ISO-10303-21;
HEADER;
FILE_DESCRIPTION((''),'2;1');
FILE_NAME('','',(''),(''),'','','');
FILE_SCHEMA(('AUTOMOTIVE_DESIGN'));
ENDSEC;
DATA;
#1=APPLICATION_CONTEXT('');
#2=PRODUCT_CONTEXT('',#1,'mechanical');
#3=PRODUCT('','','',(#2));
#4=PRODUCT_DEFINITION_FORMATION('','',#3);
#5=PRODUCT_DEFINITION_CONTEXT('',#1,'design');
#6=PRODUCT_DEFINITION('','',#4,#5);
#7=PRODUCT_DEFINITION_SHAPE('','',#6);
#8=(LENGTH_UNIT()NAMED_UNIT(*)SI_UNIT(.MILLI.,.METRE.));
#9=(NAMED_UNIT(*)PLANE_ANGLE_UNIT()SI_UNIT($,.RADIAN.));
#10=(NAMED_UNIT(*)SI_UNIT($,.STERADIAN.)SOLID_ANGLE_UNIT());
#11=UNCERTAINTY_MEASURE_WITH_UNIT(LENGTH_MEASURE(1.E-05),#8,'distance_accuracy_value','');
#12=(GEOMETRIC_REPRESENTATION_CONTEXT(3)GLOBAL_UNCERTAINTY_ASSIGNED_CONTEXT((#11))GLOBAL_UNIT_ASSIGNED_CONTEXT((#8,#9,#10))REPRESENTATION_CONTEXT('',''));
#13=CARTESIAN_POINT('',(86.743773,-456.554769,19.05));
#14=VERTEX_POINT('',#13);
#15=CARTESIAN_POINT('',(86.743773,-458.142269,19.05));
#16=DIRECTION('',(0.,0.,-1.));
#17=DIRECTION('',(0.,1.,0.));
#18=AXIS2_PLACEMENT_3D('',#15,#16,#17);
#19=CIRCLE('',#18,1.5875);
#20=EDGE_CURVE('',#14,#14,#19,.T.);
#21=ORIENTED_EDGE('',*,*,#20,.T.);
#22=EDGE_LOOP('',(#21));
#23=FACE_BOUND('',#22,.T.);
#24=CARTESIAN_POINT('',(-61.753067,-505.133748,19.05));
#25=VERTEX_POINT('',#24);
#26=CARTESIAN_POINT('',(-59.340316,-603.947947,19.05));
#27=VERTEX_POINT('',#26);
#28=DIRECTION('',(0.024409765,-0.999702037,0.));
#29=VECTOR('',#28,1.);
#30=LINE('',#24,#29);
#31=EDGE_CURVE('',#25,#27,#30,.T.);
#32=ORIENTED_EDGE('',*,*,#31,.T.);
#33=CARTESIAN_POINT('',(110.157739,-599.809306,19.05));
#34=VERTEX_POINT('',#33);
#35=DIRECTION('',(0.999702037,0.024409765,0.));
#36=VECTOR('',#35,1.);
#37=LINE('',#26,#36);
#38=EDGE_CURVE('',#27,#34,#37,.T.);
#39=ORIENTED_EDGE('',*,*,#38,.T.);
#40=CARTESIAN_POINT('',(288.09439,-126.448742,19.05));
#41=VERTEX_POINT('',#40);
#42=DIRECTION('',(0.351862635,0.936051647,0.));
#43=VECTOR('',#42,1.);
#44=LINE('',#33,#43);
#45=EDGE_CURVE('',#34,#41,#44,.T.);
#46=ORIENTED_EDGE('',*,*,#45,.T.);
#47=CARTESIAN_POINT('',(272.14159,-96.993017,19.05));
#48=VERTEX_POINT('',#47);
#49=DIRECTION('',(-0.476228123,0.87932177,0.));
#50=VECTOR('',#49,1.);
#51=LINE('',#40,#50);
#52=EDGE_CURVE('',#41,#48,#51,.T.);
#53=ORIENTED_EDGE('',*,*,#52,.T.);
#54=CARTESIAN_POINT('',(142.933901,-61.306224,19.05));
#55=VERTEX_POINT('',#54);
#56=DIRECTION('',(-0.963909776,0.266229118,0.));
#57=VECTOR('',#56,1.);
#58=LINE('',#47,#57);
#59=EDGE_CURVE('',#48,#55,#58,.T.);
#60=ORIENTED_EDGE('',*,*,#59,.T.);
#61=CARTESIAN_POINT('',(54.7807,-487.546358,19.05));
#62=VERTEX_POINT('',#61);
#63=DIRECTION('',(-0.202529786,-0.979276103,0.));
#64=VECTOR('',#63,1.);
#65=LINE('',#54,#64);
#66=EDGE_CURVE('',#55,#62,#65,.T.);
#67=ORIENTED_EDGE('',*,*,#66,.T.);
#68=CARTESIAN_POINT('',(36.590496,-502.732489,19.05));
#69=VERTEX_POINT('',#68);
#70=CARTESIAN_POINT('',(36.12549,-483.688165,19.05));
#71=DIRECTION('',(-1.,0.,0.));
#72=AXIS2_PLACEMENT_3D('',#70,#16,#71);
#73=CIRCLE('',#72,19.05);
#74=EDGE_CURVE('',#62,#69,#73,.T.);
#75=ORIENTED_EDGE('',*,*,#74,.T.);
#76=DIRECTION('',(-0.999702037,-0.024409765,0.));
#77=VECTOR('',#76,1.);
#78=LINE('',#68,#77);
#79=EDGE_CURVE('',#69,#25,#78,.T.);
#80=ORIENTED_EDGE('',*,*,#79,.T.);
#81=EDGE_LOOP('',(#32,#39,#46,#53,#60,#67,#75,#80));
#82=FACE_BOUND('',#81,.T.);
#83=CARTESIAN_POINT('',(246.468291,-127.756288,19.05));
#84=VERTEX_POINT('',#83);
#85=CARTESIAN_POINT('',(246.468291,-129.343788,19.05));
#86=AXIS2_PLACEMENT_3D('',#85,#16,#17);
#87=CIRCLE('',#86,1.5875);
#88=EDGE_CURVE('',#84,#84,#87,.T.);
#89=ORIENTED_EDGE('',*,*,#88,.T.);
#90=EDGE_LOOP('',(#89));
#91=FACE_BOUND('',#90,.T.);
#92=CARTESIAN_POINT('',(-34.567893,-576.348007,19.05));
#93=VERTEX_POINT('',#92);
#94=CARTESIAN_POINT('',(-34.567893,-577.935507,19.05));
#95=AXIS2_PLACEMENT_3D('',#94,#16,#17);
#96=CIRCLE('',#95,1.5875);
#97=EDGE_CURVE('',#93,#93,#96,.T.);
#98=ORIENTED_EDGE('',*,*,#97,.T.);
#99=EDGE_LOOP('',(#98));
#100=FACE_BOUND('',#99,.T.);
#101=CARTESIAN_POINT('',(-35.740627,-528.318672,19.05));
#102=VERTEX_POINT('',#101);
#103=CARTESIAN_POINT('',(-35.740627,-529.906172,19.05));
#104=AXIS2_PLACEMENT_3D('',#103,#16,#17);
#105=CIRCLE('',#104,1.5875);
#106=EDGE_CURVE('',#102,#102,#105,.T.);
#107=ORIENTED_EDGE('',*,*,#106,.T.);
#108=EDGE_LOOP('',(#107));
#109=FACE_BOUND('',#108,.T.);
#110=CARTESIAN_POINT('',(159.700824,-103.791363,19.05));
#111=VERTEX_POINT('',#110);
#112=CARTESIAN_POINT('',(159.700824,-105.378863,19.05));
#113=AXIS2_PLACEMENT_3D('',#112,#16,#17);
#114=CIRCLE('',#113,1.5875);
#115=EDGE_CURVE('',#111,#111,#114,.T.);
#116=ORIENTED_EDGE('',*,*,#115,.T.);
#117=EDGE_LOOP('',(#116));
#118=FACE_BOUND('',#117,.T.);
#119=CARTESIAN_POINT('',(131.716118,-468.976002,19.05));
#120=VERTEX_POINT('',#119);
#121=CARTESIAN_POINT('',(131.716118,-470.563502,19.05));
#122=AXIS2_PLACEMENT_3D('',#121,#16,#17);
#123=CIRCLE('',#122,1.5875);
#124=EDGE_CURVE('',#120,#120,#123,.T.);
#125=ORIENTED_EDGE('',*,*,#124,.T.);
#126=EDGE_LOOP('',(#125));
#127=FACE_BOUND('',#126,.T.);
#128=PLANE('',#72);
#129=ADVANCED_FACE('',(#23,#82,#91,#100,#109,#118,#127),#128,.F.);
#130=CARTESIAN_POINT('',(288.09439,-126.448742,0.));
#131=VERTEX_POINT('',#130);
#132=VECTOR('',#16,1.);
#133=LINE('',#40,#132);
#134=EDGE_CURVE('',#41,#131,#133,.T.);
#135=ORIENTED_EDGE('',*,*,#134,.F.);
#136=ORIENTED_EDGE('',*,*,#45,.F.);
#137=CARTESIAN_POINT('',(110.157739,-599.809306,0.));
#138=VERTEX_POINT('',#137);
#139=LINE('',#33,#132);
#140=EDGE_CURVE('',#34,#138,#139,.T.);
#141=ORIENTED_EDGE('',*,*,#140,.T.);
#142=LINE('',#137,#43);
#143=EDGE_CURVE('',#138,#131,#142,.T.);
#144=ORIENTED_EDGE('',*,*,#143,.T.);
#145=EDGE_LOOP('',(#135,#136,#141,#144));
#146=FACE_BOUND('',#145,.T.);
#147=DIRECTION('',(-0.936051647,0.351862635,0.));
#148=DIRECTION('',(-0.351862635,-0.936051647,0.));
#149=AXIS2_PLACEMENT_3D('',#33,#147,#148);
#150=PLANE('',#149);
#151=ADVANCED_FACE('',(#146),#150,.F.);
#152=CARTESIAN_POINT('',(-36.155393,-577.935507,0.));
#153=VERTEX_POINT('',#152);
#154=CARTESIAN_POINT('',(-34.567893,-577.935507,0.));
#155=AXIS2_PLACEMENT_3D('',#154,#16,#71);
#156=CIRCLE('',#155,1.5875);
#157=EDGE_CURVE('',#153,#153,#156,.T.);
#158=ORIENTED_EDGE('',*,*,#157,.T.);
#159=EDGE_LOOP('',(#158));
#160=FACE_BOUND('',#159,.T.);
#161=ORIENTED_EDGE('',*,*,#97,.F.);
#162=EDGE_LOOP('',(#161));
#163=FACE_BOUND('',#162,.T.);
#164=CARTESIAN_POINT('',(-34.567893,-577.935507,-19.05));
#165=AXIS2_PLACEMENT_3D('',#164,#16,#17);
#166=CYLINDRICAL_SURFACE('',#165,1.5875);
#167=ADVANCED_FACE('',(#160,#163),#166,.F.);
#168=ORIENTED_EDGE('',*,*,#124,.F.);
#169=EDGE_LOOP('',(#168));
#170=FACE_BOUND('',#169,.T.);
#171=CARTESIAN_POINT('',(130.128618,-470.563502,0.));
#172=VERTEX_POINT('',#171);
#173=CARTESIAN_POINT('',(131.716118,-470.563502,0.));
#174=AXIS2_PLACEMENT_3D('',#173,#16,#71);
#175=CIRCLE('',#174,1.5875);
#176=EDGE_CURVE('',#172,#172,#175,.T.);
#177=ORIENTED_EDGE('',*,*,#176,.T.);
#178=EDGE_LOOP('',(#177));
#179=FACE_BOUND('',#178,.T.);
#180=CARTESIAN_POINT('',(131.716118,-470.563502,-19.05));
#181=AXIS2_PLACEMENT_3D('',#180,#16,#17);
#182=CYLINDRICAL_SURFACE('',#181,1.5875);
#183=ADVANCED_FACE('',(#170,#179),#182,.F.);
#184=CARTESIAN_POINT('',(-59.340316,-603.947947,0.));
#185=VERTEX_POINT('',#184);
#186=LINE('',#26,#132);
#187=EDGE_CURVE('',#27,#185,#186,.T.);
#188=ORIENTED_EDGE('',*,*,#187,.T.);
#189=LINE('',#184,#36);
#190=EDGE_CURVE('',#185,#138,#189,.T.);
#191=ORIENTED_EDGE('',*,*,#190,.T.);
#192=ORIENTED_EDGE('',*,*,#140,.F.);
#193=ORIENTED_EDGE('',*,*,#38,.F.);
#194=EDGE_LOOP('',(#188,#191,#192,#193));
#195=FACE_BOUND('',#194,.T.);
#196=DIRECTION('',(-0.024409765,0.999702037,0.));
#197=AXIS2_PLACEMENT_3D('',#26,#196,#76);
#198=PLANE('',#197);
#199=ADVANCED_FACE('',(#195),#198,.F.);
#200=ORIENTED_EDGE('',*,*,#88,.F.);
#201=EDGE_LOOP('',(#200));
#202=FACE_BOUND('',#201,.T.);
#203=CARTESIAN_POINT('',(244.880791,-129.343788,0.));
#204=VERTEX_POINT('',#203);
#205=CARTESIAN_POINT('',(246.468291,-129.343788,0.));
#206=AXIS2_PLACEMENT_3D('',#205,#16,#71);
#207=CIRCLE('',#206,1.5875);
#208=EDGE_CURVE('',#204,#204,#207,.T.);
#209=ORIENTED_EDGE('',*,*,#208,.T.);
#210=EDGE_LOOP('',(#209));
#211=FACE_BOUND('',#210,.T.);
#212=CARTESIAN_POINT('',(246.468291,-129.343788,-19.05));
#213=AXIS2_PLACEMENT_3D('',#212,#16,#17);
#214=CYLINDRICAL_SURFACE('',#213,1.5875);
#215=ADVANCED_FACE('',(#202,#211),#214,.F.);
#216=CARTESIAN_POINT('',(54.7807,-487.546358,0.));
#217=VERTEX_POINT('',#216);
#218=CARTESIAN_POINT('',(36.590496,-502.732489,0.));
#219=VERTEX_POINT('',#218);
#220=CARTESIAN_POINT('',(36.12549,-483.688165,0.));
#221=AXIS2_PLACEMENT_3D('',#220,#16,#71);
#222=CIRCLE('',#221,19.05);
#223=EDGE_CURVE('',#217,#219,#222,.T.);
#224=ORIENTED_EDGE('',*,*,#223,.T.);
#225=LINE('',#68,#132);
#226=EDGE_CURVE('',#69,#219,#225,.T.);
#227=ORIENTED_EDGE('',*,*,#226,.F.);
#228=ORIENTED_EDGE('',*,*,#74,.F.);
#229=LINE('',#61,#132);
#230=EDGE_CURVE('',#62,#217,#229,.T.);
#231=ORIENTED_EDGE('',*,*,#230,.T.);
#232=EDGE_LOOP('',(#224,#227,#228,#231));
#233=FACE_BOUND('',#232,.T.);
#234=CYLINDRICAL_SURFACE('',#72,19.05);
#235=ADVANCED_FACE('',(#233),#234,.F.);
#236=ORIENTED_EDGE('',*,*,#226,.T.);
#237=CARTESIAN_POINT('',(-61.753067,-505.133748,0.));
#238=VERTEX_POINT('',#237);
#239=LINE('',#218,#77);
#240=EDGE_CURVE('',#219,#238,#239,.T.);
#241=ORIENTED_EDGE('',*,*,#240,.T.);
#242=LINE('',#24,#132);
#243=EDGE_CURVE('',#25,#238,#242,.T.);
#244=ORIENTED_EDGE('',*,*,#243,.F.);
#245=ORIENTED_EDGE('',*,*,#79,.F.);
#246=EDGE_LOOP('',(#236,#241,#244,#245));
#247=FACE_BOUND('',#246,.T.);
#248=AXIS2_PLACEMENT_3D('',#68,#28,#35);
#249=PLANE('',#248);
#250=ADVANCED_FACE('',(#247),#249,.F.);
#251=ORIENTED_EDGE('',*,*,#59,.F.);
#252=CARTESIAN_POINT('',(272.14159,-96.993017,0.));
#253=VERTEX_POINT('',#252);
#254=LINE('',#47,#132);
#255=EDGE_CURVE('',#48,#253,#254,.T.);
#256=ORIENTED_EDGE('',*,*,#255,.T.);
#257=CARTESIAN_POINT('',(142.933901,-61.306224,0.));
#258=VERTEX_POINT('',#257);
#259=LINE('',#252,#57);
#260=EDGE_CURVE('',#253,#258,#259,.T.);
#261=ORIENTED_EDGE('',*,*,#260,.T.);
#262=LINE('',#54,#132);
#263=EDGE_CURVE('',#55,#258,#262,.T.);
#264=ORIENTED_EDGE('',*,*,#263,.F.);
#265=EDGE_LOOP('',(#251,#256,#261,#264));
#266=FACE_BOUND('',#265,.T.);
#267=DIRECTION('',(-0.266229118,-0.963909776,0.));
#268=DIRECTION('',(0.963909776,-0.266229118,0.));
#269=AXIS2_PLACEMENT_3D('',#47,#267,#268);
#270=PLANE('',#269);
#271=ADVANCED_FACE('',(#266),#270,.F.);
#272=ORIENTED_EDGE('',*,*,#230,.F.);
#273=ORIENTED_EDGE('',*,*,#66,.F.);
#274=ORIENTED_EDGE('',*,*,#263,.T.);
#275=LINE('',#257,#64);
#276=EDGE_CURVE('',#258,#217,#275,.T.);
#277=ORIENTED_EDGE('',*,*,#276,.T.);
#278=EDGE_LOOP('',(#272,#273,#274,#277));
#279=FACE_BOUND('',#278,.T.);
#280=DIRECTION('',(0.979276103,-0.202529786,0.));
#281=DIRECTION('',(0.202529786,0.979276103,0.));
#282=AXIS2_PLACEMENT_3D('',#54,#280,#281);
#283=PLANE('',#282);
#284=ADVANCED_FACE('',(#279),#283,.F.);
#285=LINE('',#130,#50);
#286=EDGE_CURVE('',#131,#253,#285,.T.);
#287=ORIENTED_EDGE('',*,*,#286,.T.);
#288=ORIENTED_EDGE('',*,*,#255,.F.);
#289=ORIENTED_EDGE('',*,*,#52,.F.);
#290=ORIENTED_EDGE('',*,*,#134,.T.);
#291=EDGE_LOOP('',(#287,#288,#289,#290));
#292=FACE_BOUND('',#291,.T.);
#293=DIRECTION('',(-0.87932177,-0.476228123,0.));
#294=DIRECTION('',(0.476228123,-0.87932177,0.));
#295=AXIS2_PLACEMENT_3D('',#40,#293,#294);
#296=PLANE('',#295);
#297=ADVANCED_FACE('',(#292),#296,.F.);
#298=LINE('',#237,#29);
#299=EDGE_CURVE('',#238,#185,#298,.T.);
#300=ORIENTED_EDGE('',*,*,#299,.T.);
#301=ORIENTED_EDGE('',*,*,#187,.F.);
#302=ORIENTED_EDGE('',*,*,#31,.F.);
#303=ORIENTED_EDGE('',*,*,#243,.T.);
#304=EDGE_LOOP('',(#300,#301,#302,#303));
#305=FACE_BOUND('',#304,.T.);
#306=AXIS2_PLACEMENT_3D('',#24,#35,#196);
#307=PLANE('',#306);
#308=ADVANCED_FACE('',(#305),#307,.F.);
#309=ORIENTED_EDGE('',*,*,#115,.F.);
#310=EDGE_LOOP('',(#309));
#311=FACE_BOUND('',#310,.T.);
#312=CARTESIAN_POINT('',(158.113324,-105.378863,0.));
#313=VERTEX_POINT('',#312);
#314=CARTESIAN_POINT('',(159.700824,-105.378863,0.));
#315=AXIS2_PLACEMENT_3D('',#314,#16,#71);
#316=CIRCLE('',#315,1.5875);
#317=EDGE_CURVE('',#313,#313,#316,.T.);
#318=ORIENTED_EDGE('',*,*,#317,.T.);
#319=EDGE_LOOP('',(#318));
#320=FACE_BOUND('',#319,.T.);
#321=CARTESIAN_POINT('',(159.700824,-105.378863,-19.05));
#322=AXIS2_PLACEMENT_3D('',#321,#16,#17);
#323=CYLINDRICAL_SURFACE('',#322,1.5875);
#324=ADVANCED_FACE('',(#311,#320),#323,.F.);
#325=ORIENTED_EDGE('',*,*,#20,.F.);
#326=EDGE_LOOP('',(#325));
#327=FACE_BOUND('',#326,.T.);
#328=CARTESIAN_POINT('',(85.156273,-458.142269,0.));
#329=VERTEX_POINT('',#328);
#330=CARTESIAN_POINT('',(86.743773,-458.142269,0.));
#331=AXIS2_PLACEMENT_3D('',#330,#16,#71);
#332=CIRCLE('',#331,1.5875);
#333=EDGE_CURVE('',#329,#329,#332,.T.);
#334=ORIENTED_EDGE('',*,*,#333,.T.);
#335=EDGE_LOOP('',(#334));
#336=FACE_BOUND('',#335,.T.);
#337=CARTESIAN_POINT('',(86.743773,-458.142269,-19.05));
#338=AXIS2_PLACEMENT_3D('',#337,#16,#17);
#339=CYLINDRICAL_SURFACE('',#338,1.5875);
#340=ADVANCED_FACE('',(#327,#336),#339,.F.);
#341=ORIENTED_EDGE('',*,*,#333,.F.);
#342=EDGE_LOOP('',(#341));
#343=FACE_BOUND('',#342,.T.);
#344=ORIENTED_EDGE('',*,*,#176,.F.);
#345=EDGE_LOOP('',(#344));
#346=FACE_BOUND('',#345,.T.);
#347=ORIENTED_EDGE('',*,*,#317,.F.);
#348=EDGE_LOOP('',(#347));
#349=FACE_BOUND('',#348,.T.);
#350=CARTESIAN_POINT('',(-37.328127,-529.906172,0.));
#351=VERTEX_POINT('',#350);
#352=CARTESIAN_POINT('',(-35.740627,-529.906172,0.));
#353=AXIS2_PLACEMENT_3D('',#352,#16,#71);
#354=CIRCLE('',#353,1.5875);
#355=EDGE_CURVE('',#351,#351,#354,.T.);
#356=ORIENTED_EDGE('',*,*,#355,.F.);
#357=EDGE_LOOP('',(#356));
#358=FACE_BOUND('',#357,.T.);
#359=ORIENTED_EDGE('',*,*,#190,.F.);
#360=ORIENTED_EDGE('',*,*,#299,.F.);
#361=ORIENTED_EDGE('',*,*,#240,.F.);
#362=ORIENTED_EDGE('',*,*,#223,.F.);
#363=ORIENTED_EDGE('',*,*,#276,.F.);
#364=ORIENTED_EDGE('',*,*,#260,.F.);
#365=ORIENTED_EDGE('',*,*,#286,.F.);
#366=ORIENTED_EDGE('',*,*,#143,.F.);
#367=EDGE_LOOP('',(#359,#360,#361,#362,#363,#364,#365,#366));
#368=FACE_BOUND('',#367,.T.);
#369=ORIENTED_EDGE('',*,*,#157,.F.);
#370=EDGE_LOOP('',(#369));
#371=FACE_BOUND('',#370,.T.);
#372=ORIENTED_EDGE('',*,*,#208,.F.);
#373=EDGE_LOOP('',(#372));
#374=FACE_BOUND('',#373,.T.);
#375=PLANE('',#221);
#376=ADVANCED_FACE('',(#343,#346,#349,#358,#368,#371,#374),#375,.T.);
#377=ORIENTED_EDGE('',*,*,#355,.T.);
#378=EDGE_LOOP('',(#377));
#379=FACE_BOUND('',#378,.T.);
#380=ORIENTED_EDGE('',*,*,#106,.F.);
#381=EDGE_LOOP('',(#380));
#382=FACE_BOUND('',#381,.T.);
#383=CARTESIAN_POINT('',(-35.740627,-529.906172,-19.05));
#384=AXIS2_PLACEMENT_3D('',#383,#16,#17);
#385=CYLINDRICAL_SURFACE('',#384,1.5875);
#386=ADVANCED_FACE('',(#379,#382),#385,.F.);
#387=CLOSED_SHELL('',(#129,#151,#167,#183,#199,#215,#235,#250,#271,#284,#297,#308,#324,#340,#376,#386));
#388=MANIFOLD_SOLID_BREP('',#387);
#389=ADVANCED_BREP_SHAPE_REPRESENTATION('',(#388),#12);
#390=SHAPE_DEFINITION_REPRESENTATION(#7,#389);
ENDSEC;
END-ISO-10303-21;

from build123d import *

# Parameters (mm, degrees)
BOSS_EXTRUDE1_DEPTH = 19.05
HOLE3_D             = 3.175
HOLE3_DEPTH         = 38.1
HOLE3_CSINK_D       = 10.16
HOLE3_CSINK_ANGLE   = 82
HOLE3_TIP           = 0.953866233


with BuildPart() as part:
    # Sketch1 → Boss-Extrude1 (new body)
    with BuildSketch(Plane.XY):
        with BuildLine():
            Line((-61.753066592, -505.133747826), (-59.340316311, -603.947946941))
            Line((-59.340316311, -603.947946941), (110.157739028, -599.809306096))
            Line((110.157739028, -599.809306096), (288.094390135, -126.448741632))
            Line((288.094390135, -126.448741632), (272.141590142, -96.993017293))
            Line((272.141590142, -96.993017293), (142.933900932, -61.306223753))
            Line((142.933900932, -61.306223753), (54.780700044, -487.546357698))
            ThreePointArc((54.780700044, -487.546357698), (48.334106484, -498.311851218), (36.590496304, -502.732489089))
            Line((36.590496304, -502.732489089), (-61.753066592, -505.133747826))
        make_face()
    extrude(amount=BOSS_EXTRUDE1_DEPTH)

    # Hole3
    with Locations(Plane(origin=(295.820901284, -105.894091108, -19.05), x_dir=(-0.3518626346959965, -0.9360516472421764, 8.51430303154421e-15), z_dir=(0, 0, -1))):
        with Locations((47.413288654, 127.596711745), (39.315467427, 37.945520226), (403.288916316, 71.764018496), (399.091743996, 25.297013484), (513.561319184, 161.164706775), (558.106616554, 143.167238399), (571.189751829, 175.54913452), (654.969392627, 382.911022042), (526.644454459, 193.546602895), (610.424095257, 400.908490418)):
            CounterSinkHole(HOLE3_D / 2, HOLE3_CSINK_D / 2, depth=HOLE3_DEPTH, counter_sink_angle=HOLE3_CSINK_ANGLE)
            with Locations((0, 0, -(HOLE3_DEPTH + HOLE3_TIP / 2))):  # 118° drill point
                Cone(0, HOLE3_D / 2, HOLE3_TIP, mode=Mode.SUBTRACT)


solid = part.part
